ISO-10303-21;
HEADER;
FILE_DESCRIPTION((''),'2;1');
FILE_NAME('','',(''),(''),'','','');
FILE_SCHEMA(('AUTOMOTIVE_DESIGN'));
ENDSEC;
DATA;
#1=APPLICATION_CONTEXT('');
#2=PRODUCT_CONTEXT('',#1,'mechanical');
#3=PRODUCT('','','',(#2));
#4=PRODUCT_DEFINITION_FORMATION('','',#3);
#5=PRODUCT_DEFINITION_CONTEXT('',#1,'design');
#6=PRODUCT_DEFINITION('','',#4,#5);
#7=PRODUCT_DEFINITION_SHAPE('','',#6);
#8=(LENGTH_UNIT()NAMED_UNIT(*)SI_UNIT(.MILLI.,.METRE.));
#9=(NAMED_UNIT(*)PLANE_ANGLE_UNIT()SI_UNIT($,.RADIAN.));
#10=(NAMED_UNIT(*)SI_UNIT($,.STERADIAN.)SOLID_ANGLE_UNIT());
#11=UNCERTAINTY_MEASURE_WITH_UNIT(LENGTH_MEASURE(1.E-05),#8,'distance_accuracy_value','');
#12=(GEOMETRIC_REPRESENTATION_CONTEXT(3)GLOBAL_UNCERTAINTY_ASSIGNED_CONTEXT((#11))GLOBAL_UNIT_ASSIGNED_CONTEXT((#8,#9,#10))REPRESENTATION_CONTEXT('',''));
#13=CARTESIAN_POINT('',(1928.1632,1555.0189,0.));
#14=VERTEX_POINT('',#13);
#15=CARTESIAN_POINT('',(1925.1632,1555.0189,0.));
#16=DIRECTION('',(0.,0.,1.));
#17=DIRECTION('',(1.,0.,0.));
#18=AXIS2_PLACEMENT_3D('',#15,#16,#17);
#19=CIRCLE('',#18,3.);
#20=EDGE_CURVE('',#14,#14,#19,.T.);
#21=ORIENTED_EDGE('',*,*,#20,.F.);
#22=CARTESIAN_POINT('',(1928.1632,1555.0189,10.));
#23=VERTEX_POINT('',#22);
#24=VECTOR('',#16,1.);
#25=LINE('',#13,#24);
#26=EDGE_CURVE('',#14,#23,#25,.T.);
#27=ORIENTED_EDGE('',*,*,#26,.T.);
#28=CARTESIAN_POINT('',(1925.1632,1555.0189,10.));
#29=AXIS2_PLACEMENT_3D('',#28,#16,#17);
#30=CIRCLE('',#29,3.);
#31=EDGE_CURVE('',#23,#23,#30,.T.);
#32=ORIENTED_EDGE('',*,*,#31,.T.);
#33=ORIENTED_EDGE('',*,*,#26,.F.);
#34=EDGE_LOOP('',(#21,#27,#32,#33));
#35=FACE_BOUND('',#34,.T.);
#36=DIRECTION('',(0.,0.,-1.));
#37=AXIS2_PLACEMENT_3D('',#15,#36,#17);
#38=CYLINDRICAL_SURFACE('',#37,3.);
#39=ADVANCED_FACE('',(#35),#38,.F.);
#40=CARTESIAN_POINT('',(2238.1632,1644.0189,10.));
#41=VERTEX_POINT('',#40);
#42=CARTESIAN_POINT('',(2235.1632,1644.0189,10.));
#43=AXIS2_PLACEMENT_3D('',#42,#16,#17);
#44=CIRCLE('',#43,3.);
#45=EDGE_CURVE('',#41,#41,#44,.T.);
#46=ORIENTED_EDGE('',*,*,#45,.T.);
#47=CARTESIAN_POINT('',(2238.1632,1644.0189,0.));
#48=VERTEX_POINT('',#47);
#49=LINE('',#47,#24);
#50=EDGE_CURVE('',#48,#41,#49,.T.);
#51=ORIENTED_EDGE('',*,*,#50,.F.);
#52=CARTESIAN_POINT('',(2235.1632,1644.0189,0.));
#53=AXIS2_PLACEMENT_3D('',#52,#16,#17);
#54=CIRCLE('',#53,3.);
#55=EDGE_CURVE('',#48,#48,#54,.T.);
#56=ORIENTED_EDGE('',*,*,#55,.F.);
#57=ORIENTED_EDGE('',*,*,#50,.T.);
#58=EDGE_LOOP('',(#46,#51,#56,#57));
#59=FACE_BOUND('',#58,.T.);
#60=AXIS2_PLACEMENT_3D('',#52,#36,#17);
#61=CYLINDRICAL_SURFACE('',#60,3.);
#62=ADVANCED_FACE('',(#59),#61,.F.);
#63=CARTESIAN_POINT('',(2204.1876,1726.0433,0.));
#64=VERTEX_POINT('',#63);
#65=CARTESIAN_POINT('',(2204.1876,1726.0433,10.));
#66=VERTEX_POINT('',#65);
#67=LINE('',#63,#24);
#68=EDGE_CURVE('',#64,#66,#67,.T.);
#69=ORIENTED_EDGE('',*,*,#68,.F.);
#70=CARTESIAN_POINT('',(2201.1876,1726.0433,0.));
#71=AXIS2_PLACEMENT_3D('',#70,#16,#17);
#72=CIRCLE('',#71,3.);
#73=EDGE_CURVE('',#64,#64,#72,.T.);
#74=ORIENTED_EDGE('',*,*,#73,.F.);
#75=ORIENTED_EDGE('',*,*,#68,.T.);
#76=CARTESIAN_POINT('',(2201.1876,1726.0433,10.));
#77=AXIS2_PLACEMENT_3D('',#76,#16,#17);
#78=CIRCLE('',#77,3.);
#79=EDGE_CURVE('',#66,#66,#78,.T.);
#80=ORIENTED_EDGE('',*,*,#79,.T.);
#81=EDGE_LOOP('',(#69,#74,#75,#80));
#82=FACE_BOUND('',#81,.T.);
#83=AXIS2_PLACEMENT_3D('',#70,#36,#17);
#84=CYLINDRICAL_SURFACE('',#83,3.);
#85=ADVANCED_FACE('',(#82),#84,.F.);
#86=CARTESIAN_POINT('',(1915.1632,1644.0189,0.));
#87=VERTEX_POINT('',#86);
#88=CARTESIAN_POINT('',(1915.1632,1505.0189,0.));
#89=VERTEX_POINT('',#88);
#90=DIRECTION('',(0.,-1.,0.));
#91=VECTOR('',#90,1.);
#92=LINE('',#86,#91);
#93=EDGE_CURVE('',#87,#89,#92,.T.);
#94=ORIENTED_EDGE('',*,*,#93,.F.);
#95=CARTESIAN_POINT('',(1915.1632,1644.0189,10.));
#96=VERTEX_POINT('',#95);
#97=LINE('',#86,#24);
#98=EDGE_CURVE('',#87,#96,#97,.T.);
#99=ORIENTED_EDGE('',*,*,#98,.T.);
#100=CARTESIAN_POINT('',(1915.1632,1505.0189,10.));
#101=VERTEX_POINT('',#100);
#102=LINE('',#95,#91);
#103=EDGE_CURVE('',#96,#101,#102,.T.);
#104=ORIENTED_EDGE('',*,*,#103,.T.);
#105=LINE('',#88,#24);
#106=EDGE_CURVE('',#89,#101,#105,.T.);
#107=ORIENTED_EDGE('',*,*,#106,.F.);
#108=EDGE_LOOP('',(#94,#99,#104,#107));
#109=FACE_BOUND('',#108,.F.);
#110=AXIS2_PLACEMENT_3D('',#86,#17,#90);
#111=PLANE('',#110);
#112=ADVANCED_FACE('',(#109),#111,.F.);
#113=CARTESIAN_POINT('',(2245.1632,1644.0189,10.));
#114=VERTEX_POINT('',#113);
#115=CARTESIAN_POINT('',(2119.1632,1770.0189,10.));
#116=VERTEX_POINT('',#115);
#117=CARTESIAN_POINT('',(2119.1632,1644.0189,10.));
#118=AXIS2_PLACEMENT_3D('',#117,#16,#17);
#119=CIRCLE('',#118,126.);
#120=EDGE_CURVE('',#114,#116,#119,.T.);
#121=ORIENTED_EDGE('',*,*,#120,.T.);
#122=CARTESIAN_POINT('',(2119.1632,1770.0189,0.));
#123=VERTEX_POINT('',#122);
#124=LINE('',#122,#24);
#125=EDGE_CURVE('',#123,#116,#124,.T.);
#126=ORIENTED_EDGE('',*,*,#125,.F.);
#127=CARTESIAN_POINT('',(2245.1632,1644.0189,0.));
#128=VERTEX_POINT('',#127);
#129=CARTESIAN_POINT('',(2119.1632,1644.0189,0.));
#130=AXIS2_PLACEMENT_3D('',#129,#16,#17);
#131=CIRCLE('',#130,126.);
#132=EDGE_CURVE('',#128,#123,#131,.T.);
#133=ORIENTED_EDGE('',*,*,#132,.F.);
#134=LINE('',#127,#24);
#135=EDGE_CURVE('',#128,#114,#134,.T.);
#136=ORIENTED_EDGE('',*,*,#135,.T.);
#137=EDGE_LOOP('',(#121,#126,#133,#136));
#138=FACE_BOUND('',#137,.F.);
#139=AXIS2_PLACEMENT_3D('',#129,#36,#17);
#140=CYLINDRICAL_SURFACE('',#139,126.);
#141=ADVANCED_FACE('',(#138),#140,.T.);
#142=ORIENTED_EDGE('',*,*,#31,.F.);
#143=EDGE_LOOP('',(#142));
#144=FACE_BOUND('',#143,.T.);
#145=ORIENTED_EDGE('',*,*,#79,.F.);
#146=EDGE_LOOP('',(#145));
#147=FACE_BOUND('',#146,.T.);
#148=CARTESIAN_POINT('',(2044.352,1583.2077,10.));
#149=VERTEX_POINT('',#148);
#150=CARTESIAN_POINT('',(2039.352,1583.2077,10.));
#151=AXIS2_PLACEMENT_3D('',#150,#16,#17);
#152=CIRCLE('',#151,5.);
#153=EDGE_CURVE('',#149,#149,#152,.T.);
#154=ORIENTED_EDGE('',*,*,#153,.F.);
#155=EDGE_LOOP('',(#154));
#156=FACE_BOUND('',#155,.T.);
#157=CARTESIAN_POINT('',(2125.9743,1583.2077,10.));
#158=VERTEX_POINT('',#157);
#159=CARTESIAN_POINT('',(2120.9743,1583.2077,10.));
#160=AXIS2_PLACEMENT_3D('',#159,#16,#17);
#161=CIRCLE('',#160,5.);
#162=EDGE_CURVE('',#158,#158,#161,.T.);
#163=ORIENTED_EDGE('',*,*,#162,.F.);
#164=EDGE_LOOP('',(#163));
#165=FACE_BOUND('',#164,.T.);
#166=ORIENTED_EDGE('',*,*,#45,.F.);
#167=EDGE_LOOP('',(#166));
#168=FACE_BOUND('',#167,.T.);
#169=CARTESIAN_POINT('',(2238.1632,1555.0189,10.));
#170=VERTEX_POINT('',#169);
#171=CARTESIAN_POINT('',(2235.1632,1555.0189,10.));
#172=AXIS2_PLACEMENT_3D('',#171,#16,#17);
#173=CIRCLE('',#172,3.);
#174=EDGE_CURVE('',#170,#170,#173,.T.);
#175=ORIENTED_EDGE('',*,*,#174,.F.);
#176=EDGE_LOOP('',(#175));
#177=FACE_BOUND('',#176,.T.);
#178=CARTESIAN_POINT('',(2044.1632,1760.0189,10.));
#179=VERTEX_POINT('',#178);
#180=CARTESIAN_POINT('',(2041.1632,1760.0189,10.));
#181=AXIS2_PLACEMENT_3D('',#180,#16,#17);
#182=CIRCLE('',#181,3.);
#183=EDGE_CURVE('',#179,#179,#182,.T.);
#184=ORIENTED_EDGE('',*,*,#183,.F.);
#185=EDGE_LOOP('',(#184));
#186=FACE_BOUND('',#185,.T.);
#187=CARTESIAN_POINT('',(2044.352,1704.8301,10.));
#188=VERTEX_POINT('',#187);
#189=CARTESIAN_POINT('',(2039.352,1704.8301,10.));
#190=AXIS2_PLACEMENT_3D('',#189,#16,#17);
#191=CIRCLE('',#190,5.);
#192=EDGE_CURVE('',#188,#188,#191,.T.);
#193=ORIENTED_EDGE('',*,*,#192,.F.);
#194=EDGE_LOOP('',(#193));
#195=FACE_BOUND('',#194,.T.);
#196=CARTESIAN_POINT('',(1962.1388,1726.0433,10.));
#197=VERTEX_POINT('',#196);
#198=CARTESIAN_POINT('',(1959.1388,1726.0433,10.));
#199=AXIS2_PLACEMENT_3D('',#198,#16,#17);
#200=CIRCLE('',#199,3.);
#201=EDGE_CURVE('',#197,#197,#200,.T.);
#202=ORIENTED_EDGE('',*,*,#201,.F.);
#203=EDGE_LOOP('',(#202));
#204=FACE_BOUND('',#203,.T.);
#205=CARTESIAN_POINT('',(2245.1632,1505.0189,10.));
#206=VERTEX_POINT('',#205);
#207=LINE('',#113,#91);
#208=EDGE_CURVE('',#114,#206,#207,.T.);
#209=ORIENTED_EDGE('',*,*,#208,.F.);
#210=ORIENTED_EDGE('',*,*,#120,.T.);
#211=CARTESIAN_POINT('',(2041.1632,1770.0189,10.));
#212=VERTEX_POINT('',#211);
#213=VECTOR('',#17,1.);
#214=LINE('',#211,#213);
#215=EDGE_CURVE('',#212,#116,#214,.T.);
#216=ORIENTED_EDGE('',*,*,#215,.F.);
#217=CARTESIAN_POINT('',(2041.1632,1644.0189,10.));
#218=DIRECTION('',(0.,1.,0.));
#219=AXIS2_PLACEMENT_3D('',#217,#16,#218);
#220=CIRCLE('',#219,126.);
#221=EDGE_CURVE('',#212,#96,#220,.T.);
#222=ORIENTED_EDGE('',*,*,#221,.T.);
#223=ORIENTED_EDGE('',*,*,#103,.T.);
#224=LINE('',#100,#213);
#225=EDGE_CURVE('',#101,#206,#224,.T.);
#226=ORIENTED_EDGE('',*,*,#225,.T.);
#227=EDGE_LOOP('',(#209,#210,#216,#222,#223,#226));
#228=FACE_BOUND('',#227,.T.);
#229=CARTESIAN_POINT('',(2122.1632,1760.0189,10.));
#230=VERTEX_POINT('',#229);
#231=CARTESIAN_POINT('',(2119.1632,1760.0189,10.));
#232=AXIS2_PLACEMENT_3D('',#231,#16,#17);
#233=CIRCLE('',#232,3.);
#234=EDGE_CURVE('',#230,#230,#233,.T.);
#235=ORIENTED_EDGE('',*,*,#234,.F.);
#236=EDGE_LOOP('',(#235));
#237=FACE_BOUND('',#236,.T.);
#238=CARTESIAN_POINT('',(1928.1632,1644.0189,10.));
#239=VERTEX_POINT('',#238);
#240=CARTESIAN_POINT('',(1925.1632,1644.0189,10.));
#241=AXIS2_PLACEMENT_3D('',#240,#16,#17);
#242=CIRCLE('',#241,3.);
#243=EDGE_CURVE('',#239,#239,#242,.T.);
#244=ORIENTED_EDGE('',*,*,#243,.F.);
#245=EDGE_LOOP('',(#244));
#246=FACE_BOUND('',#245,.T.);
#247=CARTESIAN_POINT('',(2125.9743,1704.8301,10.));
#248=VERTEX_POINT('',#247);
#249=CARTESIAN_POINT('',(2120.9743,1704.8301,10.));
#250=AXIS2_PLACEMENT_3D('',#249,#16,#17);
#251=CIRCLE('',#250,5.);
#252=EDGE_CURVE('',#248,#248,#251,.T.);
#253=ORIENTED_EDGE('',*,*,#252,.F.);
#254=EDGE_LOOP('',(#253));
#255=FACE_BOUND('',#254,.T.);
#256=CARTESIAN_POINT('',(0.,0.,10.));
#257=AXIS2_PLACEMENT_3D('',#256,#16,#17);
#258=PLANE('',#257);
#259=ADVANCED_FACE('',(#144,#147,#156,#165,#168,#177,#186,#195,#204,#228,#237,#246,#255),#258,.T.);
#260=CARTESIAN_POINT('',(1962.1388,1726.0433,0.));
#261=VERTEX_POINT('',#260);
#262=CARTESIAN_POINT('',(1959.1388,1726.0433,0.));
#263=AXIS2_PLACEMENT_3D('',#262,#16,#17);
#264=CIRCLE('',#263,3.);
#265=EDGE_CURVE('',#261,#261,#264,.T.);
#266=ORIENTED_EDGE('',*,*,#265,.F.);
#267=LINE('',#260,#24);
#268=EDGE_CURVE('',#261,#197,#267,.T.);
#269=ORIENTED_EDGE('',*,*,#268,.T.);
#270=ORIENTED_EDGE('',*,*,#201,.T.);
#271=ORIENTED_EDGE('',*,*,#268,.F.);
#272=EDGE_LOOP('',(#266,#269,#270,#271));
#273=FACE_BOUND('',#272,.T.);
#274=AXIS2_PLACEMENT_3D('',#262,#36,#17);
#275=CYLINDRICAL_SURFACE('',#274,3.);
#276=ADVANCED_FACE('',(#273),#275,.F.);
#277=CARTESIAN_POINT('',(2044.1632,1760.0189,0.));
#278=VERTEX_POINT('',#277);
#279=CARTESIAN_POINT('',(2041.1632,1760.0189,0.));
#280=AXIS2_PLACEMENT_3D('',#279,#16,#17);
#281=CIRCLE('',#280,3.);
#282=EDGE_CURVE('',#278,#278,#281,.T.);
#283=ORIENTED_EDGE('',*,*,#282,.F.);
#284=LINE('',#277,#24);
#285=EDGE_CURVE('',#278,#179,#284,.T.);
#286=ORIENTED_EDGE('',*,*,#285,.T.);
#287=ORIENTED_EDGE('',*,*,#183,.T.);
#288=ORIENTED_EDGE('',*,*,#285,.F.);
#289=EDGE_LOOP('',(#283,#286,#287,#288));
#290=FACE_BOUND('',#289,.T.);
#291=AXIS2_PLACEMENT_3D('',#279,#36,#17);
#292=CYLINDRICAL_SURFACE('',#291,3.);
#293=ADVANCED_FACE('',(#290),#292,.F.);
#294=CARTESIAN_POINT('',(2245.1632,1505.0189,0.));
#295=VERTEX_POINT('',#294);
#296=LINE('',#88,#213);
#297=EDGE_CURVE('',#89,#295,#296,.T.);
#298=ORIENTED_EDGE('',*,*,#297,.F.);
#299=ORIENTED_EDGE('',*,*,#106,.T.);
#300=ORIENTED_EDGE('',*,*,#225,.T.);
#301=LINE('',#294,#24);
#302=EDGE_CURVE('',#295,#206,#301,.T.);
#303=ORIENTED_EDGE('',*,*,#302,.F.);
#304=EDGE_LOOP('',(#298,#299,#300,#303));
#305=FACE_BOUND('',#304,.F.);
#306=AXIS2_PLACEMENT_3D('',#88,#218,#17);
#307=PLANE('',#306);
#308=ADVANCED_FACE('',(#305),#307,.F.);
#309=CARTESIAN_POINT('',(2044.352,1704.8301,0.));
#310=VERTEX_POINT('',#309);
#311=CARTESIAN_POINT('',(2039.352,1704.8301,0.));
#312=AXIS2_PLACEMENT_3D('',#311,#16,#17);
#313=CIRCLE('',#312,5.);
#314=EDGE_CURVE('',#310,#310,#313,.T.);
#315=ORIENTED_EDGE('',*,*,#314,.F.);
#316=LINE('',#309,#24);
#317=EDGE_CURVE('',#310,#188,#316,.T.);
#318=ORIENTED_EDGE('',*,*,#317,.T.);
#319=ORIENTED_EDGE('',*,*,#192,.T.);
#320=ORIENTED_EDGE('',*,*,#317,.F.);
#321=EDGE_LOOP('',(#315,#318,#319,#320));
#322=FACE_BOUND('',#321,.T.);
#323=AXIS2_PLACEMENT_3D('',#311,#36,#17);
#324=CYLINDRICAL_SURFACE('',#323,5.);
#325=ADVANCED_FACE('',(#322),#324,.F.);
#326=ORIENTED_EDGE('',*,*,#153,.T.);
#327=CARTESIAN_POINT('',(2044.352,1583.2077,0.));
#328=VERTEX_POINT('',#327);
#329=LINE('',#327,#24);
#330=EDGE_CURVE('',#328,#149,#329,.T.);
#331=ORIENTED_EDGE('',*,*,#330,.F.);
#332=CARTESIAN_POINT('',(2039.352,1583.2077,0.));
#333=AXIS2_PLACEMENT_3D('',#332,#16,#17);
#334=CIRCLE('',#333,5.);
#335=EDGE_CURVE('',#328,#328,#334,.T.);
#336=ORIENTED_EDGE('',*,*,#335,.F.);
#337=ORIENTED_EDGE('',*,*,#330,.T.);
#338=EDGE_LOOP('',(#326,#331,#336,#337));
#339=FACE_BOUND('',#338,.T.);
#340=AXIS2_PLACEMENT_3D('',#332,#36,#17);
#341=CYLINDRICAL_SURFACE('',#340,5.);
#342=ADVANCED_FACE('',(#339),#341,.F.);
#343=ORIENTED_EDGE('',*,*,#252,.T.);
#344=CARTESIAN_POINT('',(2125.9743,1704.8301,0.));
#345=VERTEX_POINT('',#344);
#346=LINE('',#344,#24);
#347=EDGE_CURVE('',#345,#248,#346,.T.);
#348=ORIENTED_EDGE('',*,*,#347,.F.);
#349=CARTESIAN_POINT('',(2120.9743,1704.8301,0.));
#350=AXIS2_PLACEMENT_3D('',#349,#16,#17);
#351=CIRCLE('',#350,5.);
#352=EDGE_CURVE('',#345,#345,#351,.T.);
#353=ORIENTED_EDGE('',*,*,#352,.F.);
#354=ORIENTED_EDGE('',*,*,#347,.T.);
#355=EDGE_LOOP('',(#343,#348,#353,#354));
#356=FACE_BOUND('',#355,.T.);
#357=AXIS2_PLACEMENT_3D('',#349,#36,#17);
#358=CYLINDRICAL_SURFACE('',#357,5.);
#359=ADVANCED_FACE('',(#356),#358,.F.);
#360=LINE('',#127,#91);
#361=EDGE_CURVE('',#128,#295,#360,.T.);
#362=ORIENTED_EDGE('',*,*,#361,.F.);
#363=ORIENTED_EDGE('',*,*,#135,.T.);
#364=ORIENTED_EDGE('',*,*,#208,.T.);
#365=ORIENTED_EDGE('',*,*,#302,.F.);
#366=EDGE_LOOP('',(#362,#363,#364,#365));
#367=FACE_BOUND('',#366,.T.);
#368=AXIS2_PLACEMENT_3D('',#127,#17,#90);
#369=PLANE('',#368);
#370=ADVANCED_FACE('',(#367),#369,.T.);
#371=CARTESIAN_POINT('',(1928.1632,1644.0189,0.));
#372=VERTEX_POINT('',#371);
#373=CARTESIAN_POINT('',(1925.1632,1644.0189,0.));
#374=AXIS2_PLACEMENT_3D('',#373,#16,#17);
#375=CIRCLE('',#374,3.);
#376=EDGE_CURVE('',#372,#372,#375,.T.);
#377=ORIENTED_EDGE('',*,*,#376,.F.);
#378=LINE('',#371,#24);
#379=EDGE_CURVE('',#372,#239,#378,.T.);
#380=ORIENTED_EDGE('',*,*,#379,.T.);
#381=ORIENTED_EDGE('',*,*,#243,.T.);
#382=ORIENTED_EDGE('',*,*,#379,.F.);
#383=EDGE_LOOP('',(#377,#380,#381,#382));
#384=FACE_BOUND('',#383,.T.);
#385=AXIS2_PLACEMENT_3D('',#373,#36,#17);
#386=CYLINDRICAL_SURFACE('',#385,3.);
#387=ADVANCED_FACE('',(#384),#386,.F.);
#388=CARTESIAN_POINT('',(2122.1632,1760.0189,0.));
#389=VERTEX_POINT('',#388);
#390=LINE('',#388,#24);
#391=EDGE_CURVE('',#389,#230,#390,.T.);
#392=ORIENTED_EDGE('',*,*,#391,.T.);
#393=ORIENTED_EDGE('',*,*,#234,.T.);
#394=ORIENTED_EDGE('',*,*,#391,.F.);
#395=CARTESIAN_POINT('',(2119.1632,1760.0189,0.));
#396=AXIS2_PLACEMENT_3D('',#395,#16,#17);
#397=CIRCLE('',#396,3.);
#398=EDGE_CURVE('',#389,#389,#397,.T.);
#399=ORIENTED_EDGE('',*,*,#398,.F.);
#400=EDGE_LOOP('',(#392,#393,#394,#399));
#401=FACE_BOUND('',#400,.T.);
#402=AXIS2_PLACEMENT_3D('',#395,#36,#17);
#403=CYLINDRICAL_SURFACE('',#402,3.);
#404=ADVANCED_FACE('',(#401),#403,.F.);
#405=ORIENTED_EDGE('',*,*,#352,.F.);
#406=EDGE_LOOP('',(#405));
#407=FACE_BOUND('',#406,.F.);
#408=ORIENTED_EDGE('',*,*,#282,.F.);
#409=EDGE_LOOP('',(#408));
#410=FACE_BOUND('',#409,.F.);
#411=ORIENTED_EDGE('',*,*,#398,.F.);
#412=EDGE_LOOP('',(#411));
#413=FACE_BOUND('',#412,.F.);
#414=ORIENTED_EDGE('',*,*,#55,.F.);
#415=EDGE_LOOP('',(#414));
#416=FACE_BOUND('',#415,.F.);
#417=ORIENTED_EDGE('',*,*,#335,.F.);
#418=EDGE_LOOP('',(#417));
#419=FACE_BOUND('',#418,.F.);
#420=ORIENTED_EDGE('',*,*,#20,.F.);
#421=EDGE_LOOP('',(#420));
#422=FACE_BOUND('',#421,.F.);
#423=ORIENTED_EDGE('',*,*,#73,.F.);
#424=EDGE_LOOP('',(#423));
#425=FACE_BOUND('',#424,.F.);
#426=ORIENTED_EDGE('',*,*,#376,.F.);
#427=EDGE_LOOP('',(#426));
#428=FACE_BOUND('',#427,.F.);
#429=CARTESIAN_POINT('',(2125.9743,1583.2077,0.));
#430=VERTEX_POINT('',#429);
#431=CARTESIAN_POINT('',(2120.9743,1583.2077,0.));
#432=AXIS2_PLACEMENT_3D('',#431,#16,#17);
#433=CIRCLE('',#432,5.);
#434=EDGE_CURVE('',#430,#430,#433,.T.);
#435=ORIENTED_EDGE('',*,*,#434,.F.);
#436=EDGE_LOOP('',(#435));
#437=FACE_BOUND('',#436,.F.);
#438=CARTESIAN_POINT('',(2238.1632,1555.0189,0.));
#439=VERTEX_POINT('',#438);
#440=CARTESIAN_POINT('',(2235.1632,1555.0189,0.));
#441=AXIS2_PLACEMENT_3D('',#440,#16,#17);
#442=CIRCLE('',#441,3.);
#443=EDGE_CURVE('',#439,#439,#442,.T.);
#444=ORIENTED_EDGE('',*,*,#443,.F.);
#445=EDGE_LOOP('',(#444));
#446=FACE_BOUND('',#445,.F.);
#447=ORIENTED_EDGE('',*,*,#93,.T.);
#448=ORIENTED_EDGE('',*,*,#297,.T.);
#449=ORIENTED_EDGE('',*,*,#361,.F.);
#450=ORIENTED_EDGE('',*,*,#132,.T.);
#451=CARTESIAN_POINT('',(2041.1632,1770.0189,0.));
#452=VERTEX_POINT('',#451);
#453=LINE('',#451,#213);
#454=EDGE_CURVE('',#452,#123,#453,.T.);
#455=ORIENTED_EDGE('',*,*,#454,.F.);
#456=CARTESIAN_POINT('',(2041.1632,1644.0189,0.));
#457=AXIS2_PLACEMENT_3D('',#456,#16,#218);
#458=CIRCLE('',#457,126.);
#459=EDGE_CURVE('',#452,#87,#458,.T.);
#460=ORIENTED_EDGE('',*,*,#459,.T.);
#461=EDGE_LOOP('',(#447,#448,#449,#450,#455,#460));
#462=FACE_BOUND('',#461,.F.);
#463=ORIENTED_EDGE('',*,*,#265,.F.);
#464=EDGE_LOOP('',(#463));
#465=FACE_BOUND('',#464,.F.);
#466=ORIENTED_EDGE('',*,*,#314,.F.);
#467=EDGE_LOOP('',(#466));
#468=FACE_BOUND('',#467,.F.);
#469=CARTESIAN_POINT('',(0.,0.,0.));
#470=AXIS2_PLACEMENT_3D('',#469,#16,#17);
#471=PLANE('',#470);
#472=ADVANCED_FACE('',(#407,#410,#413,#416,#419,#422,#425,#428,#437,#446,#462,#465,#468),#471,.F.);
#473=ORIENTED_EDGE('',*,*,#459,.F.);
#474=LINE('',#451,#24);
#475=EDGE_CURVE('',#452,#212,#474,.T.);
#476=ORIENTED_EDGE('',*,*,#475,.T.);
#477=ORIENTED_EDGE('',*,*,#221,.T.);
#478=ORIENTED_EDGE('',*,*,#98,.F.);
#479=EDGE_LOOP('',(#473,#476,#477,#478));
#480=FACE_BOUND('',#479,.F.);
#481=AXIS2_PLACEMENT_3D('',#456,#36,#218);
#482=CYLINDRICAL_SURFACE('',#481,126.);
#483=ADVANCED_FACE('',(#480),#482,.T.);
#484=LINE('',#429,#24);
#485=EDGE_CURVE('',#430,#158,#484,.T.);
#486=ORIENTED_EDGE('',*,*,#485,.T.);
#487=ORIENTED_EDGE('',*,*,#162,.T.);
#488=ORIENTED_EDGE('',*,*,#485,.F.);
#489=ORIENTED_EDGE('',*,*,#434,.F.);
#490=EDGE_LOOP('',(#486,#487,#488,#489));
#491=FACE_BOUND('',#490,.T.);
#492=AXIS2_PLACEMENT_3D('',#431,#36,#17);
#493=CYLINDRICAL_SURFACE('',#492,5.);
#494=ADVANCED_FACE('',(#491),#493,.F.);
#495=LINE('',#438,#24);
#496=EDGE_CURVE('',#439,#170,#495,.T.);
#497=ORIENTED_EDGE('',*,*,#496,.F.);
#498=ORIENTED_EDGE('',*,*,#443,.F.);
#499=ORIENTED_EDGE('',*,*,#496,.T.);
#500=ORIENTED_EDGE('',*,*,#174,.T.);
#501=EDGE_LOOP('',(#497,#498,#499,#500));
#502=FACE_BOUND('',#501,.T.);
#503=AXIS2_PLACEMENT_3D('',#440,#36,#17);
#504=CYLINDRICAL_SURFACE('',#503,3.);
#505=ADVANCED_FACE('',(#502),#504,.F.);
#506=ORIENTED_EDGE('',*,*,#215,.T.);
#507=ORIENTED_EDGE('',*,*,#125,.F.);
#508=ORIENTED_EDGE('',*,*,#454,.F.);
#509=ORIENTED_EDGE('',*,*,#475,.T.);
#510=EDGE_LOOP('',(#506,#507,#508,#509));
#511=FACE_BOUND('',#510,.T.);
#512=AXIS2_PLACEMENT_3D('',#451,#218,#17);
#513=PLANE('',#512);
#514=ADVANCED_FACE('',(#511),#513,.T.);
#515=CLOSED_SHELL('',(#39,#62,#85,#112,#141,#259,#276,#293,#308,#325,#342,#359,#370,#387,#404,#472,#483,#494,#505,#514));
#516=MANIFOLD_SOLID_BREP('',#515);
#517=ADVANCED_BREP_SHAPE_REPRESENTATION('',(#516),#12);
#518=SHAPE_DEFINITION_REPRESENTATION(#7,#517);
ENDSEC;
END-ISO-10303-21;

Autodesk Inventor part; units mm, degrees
ref_plane "YZ Plane" through (0, 0, 0) normal (1, 0, 0) x (0, 1, 0)
ref_plane "XZ Plane" through (0, 0, 0) normal (0, 1, 0) x (-1, 0, 0)
ref_plane "XY Plane" through (0, 0, 0) normal (0, 0, 1) x (1, 0, 0)
sketch "Sketch1" plane through (0, 0, 0) normal (0, 0, 1) x (1, 0, 0)
  arc A0 (2041.1632, 1770.0189) -> (1915.1632, 1644.0189) centre (2041.1632, 1644.0189) ccw
  arc A1 (2245.1632, 1644.0189) -> (2119.1632, 1770.0189) centre (2119.1632, 1644.0189) ccw
  line L0 (1965.1632, 1655.0189) -> (1965.1632, 1515.0189)
  line L1 (2025.1632, 1655.0189) -> (2025.1632, 1515.0189)
  line L2 (1915.1632, 1505.0189) -> (2245.1632, 1505.0189)
  circle A2 centre (2041.1632, 1760.0189) radius 3
  circle A3 centre (2119.1632, 1760.0189) radius 3
  circle A4 centre (1925.1632, 1555.0189) radius 3
  line L3 (1960.1632, 1660.0189) -> (1960.1632, 1510.0189)
  line L4 (1960.1632, 1660.0189) -> (2030.1632, 1660.0189)
  line L5 (2030.1632, 1660.0189) -> (2030.1632, 1510.0189)
  circle A5 centre (2235.1632, 1555.0189) radius 3
  circle A6 centre (1925.1632, 1644.0189) radius 3
  circle A7 centre (2235.1632, 1644.0189) radius 3
  circle A8 centre (2039.352, 1704.8301) radius 5
  circle A9 centre (2120.9743, 1704.8301) radius 5
  circle A10 centre (2039.352, 1583.2077) radius 5
  circle A11 centre (2120.9743, 1583.2077) radius 5
  line L6 (1960.1632, 1510.0189) -> (2030.1632, 1510.0189)
  circle A12 centre (2201.1876, 1726.0433) radius 3
  circle A13 centre (1959.1388, 1726.0433) radius 3
  line L7 (2041.1632, 1770.0189) -> (2119.1632, 1770.0189)
  line L8 (2245.1632, 1644.0189) -> (2245.1632, 1505.0189)
  line L9 (1915.1632, 1644.0189) -> (1915.1632, 1505.0189)
  line L10 (1965.1632, 1655.0189) -> (2025.1632, 1655.0189)
  line L11 (1965.1632, 1515.0189) -> (2025.1632, 1515.0189)
  point P0 (0, 0)
extrude "Extrusion1" add sketch "Sketch1" along normal blind 10 contours L7 A1 L8 L2 L9 A0 | L10 L1 L11 L0 | L4 L5 L6 L3
properties part number "back_platform"
